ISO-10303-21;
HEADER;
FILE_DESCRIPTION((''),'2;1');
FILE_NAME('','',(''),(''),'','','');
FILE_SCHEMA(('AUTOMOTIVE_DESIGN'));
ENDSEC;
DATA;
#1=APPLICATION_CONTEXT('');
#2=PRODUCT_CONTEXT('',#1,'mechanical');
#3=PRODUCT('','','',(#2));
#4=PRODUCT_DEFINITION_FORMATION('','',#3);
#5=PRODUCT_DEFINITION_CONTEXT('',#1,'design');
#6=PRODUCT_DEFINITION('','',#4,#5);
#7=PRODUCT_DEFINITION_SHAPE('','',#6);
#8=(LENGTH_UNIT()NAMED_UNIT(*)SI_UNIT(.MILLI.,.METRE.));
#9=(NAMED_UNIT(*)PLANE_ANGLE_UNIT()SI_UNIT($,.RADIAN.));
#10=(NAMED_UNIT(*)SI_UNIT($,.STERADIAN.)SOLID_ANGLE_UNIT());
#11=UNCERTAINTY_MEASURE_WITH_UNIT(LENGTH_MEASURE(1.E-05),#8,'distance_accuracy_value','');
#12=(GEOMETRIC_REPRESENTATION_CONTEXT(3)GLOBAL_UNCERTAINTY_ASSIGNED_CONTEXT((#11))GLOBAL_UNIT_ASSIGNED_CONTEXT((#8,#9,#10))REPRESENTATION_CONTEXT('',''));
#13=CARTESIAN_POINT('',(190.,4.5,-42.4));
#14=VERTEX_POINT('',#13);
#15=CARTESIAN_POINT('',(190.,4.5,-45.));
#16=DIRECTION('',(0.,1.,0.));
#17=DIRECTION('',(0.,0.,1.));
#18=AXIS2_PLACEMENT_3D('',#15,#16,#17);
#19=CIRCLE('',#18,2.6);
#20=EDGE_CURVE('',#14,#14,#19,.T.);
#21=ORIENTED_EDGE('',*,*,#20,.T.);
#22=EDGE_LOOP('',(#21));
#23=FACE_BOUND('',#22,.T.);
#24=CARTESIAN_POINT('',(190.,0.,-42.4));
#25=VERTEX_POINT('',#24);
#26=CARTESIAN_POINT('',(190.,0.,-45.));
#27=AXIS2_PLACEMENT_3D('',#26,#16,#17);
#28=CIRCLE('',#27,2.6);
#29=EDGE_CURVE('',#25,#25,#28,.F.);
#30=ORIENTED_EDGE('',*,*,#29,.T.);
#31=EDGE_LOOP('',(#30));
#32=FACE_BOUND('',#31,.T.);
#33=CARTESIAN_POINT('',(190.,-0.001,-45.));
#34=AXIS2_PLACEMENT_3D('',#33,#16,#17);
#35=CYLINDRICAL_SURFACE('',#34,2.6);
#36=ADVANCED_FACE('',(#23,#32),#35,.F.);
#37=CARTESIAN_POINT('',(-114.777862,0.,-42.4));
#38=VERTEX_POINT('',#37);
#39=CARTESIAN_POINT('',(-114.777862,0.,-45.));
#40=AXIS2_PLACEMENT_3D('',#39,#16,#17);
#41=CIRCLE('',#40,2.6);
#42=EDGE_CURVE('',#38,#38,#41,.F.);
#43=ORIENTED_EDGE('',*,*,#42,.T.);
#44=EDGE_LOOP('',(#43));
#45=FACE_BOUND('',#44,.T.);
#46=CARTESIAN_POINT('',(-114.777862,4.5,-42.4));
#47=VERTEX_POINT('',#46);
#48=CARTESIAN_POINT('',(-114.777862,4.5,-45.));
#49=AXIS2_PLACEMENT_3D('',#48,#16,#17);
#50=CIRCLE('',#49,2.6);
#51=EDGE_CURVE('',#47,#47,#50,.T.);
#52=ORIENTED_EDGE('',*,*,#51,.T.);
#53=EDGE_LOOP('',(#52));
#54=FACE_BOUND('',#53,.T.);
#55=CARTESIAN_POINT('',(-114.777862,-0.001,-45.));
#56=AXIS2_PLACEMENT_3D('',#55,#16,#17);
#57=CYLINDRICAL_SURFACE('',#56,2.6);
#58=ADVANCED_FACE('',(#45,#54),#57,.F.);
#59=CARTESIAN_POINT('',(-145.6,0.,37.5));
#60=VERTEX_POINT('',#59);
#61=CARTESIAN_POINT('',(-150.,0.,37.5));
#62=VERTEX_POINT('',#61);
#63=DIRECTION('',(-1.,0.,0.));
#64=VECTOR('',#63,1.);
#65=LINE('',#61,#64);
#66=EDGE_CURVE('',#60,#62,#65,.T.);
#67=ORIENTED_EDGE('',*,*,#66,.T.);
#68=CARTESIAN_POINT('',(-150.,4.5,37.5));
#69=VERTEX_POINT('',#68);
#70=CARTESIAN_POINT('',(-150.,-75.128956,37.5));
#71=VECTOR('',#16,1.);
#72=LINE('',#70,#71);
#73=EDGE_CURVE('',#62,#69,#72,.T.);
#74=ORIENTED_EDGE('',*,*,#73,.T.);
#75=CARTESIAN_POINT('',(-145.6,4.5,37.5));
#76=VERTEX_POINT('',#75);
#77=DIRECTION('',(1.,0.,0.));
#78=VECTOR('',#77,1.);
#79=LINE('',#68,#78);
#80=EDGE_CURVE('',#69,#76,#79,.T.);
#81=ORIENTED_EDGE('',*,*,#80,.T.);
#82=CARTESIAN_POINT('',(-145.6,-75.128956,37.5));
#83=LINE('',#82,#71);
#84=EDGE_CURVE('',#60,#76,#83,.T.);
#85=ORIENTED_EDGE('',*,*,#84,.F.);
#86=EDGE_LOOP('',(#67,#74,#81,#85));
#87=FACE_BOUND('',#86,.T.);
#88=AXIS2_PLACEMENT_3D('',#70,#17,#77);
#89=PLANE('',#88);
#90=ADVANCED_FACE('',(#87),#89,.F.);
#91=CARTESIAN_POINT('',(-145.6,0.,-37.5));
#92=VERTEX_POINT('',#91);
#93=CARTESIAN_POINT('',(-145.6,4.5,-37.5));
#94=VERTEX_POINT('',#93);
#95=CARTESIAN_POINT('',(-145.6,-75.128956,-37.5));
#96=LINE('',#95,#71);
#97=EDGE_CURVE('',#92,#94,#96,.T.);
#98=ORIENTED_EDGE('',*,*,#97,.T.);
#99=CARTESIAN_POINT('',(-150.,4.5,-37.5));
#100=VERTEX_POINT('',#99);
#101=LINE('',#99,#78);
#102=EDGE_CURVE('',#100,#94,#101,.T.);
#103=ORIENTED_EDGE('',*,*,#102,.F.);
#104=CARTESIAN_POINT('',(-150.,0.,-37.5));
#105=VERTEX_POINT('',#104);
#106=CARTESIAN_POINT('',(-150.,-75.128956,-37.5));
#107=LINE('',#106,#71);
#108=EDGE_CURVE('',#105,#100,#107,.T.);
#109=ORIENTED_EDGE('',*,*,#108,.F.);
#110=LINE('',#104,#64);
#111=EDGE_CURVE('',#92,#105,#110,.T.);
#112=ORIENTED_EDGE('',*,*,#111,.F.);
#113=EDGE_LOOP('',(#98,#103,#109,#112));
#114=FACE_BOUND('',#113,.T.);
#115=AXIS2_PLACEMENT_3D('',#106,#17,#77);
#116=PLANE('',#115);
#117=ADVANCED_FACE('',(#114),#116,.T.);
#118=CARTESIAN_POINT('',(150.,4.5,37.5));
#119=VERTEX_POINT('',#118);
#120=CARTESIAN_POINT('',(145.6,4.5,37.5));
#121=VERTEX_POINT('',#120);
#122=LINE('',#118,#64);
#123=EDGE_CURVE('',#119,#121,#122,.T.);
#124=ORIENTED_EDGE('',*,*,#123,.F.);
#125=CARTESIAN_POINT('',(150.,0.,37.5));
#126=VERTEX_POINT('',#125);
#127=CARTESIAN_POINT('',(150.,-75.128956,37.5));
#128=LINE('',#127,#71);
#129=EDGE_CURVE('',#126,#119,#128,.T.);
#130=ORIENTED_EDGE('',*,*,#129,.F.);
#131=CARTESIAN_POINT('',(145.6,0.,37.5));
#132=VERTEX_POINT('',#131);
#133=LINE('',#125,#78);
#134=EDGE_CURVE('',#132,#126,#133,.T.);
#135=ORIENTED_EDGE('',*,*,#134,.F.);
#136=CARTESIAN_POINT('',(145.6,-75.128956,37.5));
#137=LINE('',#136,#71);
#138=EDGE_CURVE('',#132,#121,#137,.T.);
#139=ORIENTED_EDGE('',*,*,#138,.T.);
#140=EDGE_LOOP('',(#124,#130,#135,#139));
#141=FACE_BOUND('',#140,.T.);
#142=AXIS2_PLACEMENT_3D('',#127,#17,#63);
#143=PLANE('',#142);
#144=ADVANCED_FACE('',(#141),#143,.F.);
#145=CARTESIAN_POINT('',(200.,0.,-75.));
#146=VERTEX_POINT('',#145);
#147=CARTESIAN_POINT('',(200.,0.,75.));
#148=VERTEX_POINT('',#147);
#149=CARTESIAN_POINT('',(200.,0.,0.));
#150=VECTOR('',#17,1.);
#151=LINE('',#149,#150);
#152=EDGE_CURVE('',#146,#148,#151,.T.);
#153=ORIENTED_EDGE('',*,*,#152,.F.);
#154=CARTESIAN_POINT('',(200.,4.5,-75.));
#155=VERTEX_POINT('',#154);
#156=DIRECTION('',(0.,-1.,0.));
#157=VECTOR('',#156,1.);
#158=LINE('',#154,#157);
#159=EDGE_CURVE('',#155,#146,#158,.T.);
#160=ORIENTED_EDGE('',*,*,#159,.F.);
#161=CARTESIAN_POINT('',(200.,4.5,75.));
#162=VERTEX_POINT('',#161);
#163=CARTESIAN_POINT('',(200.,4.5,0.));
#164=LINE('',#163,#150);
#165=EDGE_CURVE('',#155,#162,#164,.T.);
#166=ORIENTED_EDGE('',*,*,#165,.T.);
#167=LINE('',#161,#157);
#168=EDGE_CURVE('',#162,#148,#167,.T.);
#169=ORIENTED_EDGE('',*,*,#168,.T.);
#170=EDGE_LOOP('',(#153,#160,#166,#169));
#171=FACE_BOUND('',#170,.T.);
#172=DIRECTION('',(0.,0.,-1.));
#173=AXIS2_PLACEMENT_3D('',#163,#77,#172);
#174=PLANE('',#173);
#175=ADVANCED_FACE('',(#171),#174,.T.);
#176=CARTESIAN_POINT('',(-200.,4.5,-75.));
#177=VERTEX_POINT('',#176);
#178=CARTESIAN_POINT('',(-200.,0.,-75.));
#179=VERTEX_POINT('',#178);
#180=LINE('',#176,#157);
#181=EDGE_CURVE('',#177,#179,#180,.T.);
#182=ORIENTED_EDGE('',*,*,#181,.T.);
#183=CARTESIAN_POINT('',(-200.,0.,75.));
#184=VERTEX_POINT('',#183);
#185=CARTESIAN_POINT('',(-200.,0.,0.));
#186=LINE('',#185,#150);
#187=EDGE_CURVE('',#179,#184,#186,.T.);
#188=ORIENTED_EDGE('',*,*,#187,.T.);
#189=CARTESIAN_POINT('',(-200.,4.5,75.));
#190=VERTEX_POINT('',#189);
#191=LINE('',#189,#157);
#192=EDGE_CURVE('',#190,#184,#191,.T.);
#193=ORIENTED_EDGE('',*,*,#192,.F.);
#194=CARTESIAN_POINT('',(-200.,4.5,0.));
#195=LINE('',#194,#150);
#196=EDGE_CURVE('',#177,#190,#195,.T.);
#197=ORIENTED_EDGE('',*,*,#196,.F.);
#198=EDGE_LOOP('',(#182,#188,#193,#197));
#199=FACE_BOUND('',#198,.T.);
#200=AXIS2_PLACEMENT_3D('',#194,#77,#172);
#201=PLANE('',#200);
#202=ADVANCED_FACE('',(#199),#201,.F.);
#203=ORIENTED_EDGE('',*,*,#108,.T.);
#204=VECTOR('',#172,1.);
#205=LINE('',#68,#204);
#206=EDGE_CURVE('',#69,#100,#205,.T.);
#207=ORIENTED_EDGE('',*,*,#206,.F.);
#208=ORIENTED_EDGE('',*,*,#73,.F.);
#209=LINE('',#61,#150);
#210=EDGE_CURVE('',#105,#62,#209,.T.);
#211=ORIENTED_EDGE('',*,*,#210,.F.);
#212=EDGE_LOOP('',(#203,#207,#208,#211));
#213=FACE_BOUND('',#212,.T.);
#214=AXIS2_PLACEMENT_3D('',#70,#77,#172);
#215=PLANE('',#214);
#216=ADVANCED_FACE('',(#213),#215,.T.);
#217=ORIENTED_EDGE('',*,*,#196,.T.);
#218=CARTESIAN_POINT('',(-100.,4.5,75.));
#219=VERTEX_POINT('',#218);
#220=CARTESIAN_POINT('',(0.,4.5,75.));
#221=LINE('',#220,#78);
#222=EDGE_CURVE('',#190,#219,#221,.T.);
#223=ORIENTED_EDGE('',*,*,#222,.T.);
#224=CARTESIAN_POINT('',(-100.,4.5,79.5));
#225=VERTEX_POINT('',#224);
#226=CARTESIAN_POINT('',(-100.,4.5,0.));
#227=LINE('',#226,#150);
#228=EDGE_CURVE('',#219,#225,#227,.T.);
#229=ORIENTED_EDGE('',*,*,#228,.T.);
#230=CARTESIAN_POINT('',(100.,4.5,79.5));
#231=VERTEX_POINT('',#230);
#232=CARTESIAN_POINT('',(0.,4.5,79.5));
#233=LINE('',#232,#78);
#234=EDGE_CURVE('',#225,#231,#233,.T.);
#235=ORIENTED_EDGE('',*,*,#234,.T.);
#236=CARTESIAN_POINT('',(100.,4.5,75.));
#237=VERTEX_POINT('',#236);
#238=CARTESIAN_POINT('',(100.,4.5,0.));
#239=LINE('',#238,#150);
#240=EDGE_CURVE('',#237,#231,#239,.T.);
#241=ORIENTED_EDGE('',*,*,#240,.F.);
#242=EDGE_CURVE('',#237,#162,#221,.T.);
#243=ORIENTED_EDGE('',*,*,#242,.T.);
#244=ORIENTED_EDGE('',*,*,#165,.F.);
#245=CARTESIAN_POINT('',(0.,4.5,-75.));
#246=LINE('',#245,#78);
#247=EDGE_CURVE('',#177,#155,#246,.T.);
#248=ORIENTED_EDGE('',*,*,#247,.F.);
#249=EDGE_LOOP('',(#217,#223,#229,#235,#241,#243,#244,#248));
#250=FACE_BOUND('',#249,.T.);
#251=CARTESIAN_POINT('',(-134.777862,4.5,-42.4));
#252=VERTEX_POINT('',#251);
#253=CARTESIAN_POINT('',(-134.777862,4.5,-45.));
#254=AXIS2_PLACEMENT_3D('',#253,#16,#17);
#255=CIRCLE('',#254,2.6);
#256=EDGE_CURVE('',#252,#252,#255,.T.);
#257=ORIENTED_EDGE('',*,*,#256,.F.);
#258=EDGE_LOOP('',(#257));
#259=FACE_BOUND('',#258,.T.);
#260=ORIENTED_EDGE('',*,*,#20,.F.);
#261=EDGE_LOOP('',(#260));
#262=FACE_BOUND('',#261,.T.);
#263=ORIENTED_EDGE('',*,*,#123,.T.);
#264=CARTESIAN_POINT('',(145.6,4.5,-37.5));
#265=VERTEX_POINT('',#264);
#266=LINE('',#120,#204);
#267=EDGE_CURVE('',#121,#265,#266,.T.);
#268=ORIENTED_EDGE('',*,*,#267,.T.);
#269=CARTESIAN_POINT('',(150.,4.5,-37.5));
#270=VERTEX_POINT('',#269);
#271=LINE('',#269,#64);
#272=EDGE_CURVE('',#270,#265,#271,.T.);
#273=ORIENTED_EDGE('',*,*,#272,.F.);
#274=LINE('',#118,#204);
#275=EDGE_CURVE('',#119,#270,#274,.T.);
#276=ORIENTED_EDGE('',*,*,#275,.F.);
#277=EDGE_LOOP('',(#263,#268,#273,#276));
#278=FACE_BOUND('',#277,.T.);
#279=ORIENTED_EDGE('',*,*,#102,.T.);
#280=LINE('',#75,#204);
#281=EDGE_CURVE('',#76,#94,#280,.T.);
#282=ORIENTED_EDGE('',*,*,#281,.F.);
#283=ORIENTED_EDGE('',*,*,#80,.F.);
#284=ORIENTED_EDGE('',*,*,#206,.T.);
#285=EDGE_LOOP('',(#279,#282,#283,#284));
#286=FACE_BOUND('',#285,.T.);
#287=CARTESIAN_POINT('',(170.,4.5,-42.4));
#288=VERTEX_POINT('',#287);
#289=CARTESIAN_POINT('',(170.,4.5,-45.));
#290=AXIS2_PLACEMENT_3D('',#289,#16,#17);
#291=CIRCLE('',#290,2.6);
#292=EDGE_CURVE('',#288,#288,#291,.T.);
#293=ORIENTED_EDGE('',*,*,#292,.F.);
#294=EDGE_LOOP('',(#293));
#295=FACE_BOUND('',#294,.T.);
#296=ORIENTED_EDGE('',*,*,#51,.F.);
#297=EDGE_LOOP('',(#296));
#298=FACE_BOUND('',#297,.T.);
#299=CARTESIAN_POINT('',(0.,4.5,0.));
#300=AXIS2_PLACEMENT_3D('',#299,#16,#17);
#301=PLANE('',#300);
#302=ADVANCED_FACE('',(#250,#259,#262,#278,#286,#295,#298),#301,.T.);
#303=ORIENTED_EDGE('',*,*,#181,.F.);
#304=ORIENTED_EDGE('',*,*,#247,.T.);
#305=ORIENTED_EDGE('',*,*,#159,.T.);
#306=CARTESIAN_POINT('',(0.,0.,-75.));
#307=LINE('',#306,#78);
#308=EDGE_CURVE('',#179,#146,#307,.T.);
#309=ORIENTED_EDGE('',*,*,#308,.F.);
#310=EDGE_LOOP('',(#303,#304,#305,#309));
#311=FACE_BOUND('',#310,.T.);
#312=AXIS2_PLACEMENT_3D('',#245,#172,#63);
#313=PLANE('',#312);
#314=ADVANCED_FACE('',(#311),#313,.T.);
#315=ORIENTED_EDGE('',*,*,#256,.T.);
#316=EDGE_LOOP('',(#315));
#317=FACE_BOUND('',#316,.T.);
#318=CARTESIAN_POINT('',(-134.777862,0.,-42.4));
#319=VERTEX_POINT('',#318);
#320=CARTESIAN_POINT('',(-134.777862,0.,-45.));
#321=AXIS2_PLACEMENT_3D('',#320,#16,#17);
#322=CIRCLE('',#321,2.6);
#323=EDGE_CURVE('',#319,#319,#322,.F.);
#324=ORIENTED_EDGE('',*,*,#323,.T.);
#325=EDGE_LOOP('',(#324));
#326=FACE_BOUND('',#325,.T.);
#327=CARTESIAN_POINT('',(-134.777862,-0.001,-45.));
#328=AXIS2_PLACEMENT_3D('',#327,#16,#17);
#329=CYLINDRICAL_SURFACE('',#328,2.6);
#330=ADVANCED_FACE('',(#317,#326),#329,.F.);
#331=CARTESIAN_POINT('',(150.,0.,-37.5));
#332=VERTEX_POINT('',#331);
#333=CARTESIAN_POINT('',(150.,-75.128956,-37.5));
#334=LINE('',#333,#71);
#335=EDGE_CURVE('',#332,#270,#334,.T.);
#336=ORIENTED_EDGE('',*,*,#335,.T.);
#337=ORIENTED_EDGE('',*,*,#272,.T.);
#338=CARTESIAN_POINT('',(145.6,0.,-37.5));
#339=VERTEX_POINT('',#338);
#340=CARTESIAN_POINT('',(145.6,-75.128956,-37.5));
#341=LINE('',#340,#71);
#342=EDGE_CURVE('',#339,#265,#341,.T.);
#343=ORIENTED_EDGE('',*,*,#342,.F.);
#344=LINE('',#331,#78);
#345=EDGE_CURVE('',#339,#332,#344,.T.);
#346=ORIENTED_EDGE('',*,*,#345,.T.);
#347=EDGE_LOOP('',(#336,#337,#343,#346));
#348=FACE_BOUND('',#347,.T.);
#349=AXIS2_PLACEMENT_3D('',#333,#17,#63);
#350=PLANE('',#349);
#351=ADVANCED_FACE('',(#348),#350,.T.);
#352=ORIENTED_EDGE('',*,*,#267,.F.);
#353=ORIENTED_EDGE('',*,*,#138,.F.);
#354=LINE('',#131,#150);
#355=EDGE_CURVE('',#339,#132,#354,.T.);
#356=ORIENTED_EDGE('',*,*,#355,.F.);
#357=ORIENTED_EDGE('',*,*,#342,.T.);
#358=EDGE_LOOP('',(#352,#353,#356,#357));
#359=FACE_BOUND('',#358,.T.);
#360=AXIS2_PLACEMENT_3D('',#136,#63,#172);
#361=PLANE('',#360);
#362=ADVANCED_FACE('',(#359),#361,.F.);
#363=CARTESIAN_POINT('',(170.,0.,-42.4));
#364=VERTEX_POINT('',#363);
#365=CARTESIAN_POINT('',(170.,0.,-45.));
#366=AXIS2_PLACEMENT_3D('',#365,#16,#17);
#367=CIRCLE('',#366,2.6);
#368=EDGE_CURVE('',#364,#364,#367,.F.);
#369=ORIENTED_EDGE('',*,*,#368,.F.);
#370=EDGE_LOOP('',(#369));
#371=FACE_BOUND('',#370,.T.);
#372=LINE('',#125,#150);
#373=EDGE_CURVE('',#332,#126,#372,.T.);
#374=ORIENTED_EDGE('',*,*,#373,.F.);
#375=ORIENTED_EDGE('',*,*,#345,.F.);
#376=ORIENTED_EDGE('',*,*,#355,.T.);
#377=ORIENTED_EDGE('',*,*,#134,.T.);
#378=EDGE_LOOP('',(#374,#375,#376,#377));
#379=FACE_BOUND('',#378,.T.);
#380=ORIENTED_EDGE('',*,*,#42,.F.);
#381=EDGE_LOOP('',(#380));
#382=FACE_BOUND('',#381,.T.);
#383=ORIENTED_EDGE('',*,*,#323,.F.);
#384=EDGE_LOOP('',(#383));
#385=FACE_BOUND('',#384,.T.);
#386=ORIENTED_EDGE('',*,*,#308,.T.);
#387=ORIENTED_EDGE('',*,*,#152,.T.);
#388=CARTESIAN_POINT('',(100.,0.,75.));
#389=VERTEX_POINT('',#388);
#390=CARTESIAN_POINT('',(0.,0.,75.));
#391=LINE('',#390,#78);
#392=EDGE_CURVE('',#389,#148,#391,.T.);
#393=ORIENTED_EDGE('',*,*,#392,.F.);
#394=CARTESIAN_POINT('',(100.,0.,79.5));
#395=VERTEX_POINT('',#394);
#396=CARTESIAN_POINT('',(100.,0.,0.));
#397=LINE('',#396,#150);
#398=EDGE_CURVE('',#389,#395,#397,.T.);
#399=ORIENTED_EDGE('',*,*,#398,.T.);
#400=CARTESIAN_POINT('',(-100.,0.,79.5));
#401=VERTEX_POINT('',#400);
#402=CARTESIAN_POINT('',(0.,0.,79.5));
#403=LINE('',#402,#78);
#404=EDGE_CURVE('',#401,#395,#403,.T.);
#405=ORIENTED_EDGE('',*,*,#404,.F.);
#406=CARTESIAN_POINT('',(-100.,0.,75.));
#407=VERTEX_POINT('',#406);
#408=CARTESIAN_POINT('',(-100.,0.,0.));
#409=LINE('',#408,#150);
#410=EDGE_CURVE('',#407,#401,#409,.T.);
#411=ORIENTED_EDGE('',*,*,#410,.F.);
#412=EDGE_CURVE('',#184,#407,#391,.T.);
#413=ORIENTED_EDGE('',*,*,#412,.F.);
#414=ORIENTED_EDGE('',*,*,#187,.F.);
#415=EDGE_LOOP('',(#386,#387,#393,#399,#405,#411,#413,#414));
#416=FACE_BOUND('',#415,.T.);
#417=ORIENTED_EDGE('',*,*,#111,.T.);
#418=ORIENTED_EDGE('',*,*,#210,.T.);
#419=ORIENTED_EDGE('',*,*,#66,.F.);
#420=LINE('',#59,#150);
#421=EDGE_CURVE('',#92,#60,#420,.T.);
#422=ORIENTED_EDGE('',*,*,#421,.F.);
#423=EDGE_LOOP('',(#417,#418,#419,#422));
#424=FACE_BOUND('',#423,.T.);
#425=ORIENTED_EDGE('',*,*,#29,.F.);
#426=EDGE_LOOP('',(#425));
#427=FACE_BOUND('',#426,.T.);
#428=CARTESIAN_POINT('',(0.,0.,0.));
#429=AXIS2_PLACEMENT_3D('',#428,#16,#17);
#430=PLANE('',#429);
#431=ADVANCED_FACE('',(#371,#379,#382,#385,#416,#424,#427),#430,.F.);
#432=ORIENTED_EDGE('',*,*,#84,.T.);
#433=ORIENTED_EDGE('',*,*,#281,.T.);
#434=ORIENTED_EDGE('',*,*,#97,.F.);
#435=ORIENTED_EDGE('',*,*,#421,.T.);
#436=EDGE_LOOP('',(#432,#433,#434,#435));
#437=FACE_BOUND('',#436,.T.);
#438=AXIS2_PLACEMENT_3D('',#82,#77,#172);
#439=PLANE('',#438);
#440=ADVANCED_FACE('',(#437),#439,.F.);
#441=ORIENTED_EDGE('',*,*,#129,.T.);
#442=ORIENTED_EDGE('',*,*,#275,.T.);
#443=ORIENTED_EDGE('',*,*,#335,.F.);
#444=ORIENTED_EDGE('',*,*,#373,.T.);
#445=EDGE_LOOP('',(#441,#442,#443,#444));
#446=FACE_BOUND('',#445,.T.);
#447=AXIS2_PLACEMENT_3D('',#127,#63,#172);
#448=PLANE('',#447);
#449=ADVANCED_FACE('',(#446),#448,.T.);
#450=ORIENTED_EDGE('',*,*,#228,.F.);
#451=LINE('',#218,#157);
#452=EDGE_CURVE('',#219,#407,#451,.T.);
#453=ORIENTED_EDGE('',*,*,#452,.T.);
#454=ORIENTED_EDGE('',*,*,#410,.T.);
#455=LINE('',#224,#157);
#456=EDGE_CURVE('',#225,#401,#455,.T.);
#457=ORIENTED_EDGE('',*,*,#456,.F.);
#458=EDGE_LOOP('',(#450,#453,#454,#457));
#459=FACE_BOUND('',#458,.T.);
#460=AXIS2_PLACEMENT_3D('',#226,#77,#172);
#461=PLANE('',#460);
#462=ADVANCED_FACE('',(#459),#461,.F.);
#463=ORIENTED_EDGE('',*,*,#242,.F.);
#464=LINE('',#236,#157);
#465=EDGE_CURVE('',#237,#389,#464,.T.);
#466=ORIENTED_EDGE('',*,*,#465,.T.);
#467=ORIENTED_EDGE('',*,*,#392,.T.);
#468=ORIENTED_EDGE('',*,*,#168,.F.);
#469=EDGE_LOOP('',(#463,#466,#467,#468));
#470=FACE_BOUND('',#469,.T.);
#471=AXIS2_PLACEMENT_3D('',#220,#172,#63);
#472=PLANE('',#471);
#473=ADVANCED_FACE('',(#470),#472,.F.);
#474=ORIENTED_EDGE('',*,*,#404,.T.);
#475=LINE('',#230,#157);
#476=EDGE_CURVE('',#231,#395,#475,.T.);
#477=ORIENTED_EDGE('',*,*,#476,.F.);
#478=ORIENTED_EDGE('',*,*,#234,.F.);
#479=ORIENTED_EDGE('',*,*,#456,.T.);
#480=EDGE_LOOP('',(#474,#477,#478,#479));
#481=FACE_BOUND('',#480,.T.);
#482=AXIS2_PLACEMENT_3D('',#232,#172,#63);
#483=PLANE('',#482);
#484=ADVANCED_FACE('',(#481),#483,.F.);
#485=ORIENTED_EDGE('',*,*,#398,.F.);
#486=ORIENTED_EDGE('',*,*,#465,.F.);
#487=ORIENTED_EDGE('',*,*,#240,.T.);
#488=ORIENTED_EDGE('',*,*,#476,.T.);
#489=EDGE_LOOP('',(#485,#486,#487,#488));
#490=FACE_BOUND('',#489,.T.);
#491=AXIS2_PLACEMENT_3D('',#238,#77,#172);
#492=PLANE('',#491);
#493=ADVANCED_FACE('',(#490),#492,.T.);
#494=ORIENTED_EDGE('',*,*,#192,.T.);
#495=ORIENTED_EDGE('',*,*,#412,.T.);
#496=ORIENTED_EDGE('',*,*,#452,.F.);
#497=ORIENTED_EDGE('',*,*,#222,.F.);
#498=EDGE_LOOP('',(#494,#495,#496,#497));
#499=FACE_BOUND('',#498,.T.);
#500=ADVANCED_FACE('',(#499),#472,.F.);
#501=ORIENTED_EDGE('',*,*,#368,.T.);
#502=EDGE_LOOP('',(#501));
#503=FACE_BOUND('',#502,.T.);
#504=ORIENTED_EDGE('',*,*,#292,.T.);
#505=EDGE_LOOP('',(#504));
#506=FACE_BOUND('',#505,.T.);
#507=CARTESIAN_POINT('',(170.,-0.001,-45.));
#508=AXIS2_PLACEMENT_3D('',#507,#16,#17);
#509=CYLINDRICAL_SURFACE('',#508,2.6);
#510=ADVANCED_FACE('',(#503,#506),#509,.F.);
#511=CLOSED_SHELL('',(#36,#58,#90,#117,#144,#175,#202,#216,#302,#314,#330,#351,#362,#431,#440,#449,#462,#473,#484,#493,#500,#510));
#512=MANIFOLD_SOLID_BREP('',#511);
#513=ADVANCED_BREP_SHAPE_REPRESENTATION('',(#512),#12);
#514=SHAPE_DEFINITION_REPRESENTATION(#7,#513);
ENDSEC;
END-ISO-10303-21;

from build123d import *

# Parameters (mm, degrees)
SKETCH1_W           = 200
SKETCH1_H           = 4.5
BOSS_EXTRUDE1_DEPTH = 4.5
SKETCH3_W           = 4.4
SKETCH3_H           = 75
CUT_EXTRUDE1_DEPTH  = 4.5
CUT_EXTRUDE2_REACH  = 6.5
SKETCH5_R           = 2.6


with BuildPart() as part:
    # Sketch1 → Boss-Extrude1 (new body)
    with BuildSketch(Plane(origin=(0, 0, 0), x_dir=(1, 0, 0), z_dir=(0, 1, 0))):
        Polygon((200, 75), (-200, 75), (-200, -75), (-100, -75), (-100, -70.5), (100, -70.5), (100, -75), (200, -75), align=None)
        with Locations((0, -77.25)):
            Rectangle(SKETCH1_W, SKETCH1_H)
        with Locations((0, -72.75)):
            Rectangle(SKETCH1_W, SKETCH1_H)
    extrude(amount=BOSS_EXTRUDE1_DEPTH)

    # Sketch3 → Cut-Extrude1 (cut)
    with BuildSketch(Plane(origin=(0, 4.5, 0), x_dir=(1, 0, 0), z_dir=(0, 1, 0))):
        with Locations((-147.8, 0)):
            Rectangle(SKETCH3_W, SKETCH3_H)
    cut_extrude1 = extrude(amount=-CUT_EXTRUDE1_DEPTH, mode=Mode.SUBTRACT)

    # Mirror1: Cut-Extrude1 across plane
    add(cut_extrude1.mirror(Plane(origin=(0, 0, 0), x_dir=(0, 0, 1), z_dir=(1, 0, 0))), mode=Mode.SUBTRACT)

    # Sketch5 → Cut-Extrude2 (cut, up to next)
    with BuildSketch(Plane(origin=(0, 4.5, 0), x_dir=(1, 0, 0), z_dir=(0, 1, 0)), mode=Mode.PRIVATE) as cut_extrude2_sk1:
        with Locations((-114.777861762, 45)):
            Circle(SKETCH5_R)
    cut_extrude2_tool1 = extrude(cut_extrude2_sk1.sketch, amount=-CUT_EXTRUDE2_REACH, mode=Mode.PRIVATE) & part.part
    add(cut_extrude2_tool1.solids().sort_by_distance((-114.777862, 4.5, -45))[0], mode=Mode.SUBTRACT)
    # Sketch5 → Cut-Extrude2 (cut, up to next)
    with BuildSketch(Plane(origin=(0, 4.5, 0), x_dir=(1, 0, 0), z_dir=(0, 1, 0)), mode=Mode.PRIVATE) as cut_extrude2_sk2:
        with Locations((170, 45)):
            Circle(SKETCH5_R)
    cut_extrude2_tool2 = extrude(cut_extrude2_sk2.sketch, amount=-CUT_EXTRUDE2_REACH, mode=Mode.PRIVATE) & part.part
    add(cut_extrude2_tool2.solids().sort_by_distance((170, 4.5, -45))[0], mode=Mode.SUBTRACT)
    # Sketch5 → Cut-Extrude2 (cut, up to next)
    with BuildSketch(Plane(origin=(0, 4.5, 0), x_dir=(1, 0, 0), z_dir=(0, 1, 0)), mode=Mode.PRIVATE) as cut_extrude2_sk3:
        with Locations((-134.777861762, 45)):
            Circle(SKETCH5_R)
    cut_extrude2_tool3 = extrude(cut_extrude2_sk3.sketch, amount=-CUT_EXTRUDE2_REACH, mode=Mode.PRIVATE) & part.part
    add(cut_extrude2_tool3.solids().sort_by_distance((-134.777862, 4.5, -45))[0], mode=Mode.SUBTRACT)
    # Sketch5 → Cut-Extrude2 (cut, up to next)
    with BuildSketch(Plane(origin=(0, 4.5, 0), x_dir=(1, 0, 0), z_dir=(0, 1, 0)), mode=Mode.PRIVATE) as cut_extrude2_sk4:
        with Locations((190, 45)):
            Circle(SKETCH5_R)
    cut_extrude2_tool4 = extrude(cut_extrude2_sk4.sketch, amount=-CUT_EXTRUDE2_REACH, mode=Mode.PRIVATE) & part.part
    add(cut_extrude2_tool4.solids().sort_by_distance((190, 4.5, -45))[0], mode=Mode.SUBTRACT)


solid = part.part
